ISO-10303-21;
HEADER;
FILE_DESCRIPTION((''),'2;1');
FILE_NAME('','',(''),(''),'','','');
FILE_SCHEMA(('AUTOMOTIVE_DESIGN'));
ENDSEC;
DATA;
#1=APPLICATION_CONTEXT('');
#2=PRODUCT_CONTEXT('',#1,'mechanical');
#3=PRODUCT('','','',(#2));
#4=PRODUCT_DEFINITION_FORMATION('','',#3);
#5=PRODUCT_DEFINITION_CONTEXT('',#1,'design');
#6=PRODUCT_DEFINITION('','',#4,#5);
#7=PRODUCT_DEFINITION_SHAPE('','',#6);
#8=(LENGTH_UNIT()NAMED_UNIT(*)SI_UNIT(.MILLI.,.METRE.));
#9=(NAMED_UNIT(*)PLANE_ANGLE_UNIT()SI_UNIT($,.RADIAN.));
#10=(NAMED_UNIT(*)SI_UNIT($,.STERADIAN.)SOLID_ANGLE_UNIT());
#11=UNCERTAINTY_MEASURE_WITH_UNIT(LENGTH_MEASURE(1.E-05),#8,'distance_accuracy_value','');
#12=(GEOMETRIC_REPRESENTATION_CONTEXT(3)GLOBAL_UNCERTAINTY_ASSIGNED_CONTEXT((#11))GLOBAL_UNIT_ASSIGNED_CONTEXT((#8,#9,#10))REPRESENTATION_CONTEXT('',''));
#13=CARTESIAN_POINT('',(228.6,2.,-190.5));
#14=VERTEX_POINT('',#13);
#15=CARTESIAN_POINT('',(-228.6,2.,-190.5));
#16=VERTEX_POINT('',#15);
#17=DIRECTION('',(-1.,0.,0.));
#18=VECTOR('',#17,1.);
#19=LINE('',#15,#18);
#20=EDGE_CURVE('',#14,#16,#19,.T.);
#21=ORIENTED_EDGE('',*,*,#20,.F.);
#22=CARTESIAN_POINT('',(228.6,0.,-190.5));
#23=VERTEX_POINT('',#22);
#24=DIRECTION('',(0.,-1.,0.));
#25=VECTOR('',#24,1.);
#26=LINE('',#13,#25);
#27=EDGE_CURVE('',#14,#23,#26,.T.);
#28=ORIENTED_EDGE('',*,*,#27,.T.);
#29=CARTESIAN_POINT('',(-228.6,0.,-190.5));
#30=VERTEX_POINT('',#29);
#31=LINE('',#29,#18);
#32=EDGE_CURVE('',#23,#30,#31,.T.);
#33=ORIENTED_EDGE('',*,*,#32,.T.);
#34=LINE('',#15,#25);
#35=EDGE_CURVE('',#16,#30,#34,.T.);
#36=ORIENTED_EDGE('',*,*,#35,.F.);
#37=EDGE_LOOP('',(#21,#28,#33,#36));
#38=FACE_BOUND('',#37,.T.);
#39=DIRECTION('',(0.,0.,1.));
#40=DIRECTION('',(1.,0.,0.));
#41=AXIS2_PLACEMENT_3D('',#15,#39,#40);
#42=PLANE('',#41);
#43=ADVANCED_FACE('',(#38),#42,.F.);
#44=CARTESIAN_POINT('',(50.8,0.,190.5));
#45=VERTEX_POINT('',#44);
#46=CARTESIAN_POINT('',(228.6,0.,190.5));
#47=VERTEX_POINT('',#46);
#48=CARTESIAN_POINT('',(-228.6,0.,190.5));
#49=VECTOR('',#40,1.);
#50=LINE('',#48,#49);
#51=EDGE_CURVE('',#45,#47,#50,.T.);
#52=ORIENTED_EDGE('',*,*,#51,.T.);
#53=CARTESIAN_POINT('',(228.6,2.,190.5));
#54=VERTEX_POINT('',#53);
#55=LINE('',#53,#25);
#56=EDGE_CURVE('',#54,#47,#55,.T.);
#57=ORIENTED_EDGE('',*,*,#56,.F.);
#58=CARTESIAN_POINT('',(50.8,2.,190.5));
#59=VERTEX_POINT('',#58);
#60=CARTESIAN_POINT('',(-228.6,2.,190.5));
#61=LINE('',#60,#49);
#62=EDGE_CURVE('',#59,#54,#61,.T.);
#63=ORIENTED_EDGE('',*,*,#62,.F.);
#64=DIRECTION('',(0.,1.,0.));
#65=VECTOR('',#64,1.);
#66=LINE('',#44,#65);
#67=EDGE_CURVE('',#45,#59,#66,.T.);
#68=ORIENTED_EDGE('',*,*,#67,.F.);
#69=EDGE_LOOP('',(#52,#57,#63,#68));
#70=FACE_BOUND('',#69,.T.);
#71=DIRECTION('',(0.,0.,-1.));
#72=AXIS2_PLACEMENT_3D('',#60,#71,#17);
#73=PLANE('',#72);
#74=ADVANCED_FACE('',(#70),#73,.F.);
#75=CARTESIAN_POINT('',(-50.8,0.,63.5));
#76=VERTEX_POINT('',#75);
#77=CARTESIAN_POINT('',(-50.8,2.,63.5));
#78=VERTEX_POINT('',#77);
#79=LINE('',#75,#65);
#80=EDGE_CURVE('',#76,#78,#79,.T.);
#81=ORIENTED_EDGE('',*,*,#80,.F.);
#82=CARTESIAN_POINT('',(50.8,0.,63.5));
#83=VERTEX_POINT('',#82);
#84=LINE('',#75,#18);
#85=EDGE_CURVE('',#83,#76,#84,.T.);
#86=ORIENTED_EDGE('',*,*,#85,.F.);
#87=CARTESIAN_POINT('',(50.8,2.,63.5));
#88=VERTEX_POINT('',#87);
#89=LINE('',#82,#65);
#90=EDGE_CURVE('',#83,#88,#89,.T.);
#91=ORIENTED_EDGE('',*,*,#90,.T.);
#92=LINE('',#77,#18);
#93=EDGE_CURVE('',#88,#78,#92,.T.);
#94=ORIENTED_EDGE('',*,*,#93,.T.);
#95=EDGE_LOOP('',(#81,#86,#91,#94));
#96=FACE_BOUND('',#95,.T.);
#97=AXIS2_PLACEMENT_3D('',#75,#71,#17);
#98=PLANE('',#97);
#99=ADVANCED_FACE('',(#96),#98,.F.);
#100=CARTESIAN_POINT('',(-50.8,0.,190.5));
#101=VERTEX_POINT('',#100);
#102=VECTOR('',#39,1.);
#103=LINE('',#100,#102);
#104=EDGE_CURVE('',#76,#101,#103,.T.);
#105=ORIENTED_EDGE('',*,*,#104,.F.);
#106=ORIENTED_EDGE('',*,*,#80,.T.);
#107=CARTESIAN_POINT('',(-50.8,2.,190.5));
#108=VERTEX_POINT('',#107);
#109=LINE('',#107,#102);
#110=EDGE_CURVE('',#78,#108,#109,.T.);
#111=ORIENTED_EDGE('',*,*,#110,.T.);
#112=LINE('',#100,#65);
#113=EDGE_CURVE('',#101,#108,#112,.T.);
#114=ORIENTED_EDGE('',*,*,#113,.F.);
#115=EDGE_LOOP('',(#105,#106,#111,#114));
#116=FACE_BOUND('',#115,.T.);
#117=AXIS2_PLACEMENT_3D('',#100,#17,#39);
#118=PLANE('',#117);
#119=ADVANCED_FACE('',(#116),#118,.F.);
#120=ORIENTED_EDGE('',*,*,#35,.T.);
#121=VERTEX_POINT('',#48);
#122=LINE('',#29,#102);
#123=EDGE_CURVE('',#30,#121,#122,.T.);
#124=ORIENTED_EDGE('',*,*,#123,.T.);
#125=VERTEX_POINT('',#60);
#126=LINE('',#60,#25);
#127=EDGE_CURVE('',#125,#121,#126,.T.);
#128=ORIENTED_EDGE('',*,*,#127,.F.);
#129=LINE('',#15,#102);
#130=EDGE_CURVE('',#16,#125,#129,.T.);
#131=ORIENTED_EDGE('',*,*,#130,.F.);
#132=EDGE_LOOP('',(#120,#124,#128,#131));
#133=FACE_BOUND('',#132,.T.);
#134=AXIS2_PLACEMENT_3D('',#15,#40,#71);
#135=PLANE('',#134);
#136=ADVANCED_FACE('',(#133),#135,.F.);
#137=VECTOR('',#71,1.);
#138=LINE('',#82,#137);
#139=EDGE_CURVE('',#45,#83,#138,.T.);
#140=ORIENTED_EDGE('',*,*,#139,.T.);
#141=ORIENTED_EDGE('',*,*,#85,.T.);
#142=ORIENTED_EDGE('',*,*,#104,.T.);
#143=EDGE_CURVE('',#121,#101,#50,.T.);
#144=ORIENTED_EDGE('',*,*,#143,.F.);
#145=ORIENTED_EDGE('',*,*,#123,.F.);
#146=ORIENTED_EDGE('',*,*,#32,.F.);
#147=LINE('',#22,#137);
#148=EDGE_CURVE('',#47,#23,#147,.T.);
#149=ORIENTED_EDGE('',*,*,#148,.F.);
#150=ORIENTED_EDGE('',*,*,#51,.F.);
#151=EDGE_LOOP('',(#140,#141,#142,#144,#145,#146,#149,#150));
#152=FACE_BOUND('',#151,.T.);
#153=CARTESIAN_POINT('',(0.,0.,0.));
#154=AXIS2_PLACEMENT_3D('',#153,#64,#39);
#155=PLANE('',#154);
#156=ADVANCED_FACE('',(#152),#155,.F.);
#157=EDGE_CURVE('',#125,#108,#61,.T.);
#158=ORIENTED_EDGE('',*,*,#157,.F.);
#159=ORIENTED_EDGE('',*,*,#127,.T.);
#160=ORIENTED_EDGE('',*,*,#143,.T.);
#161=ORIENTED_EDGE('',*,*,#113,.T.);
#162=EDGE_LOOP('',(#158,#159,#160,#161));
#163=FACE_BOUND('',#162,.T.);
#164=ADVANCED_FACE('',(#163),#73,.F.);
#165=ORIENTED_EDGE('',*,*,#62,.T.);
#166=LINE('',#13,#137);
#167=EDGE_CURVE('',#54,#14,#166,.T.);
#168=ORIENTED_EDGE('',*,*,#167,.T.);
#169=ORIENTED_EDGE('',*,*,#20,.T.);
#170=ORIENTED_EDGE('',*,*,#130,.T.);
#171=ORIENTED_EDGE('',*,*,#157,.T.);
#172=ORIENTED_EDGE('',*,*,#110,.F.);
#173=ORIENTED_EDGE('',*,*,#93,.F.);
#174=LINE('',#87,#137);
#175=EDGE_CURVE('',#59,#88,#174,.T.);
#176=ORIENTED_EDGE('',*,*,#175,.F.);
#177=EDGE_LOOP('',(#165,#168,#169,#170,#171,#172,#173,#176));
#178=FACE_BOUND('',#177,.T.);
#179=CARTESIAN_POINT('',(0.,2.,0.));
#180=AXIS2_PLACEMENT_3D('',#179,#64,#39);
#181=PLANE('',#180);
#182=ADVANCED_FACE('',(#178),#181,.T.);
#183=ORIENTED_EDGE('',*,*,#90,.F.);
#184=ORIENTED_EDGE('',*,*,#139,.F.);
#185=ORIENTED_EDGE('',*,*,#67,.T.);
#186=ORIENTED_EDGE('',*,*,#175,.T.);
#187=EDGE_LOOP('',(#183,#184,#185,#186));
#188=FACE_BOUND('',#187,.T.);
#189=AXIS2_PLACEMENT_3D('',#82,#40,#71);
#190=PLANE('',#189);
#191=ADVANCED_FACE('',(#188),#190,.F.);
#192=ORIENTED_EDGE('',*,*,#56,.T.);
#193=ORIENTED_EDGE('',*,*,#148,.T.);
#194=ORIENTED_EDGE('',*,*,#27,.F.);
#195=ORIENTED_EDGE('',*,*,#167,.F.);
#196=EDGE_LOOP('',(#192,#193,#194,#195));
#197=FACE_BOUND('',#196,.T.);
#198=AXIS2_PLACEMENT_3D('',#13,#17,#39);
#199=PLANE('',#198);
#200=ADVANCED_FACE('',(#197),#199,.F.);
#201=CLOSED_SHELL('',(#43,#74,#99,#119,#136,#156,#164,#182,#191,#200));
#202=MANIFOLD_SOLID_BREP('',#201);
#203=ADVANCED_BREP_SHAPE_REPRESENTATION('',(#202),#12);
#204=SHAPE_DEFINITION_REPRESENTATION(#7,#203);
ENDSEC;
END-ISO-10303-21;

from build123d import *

# Parameters (mm, degrees)
SKETCH1_W           = 457.2
SKETCH1_H           = 381
BOSS_EXTRUDE1_DEPTH = 2
SKETCH120_W         = 101.6
SKETCH120_H         = 127
CUT_EXTRUDE2_DEPTH  = 298.577233672


with BuildPart() as part:
    # Sketch1 → Boss-Extrude1 (new body)
    with BuildSketch(Plane(origin=(0, 0, 0), x_dir=(1, 0, 0), z_dir=(0, 1, 0))):
        Rectangle(SKETCH1_W, SKETCH1_H)
    extrude(amount=BOSS_EXTRUDE1_DEPTH)

    # Sketch120 → Cut-Extrude2 (cut, through all)
    with BuildSketch(Plane(origin=(0, 2, 0), x_dir=(1, 0, 0), z_dir=(0, 1, 0))):
        with Locations((0, -127)):
            Rectangle(SKETCH120_W, SKETCH120_H)
    extrude(amount=-CUT_EXTRUDE2_DEPTH, mode=Mode.SUBTRACT)


solid = part.part
